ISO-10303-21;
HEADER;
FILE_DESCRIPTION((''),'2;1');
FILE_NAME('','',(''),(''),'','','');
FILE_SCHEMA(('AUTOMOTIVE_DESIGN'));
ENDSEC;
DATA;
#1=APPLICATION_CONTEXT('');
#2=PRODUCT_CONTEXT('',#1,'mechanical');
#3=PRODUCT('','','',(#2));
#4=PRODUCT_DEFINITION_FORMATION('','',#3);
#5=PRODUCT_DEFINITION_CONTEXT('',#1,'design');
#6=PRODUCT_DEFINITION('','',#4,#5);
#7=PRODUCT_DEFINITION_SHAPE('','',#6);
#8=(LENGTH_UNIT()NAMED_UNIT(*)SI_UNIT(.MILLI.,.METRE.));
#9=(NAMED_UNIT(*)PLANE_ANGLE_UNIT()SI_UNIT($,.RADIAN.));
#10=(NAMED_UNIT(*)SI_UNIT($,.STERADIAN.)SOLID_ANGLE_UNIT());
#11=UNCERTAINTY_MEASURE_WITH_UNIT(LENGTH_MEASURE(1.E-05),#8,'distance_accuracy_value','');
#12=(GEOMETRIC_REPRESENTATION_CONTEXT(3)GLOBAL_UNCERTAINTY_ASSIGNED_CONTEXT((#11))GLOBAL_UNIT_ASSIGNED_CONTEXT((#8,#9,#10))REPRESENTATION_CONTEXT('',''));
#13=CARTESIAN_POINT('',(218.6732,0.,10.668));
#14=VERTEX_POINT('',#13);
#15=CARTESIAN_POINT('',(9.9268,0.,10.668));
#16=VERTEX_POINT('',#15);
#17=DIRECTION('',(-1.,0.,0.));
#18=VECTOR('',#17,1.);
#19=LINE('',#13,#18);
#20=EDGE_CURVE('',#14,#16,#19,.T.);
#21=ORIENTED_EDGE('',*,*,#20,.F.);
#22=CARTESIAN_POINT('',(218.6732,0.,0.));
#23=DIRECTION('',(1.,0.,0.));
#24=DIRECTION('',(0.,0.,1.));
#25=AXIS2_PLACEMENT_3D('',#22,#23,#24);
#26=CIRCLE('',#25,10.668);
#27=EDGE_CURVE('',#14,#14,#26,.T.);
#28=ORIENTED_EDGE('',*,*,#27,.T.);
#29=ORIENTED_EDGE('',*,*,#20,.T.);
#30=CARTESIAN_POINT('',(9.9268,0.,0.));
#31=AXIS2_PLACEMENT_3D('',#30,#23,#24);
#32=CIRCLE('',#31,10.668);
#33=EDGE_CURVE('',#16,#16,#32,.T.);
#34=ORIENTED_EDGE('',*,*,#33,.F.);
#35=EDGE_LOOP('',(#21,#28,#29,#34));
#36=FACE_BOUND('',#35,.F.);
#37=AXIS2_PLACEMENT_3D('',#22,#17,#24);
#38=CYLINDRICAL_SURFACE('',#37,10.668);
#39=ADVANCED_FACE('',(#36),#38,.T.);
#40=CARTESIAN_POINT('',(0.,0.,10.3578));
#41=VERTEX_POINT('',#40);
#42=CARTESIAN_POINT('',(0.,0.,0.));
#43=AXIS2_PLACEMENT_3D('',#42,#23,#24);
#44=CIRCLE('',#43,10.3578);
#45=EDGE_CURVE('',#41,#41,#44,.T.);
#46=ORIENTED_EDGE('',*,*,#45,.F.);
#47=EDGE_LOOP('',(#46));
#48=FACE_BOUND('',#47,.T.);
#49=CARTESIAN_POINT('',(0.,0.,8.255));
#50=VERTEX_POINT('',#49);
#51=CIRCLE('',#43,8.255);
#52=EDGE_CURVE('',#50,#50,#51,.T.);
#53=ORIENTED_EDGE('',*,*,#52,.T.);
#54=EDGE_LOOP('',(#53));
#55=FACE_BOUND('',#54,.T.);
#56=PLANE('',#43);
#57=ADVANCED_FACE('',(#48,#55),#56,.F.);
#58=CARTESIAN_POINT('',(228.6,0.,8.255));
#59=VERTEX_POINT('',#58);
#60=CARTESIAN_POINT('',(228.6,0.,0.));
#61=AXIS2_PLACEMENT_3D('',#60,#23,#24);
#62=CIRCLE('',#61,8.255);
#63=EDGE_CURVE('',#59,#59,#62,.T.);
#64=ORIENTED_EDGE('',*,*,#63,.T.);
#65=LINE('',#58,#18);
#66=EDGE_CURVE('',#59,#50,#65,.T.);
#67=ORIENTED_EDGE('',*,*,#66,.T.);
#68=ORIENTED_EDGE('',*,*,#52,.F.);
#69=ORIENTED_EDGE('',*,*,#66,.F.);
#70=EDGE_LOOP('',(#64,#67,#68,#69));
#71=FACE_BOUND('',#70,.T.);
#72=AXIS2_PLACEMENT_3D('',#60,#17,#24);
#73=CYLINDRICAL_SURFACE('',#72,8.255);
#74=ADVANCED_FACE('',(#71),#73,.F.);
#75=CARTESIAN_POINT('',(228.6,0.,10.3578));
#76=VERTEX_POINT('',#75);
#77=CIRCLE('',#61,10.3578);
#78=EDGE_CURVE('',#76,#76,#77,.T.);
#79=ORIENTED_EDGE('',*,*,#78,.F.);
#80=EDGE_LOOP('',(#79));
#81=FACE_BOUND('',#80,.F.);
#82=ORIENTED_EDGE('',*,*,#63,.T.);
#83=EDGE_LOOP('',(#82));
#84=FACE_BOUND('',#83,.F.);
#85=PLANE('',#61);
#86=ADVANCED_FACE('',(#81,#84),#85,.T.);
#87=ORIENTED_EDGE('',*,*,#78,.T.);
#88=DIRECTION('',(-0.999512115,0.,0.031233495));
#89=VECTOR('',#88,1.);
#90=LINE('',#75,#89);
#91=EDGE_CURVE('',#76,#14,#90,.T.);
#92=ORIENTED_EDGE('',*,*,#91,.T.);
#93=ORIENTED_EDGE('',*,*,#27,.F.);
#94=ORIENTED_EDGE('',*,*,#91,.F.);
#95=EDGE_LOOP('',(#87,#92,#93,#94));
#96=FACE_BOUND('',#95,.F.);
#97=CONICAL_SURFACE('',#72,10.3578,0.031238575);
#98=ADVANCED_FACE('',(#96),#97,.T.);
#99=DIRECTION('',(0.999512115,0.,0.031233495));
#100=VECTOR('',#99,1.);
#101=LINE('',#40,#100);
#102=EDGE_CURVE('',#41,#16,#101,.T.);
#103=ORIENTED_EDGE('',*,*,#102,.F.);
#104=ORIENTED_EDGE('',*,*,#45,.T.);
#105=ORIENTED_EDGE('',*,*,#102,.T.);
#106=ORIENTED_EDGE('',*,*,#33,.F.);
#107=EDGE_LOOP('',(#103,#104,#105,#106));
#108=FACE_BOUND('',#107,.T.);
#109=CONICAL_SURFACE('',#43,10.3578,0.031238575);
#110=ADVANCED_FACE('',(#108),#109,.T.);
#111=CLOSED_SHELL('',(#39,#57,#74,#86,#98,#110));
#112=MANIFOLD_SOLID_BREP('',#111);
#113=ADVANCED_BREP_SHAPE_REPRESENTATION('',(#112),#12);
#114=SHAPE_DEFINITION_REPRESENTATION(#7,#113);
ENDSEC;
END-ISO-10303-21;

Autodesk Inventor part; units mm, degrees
ref_plane "YZ Plane" through (0, 0, 0) normal (1, 0, 0) x (0, 1, 0)
ref_plane "XZ Plane" through (0, 0, 0) normal (0, 1, 0) x (-1, 0, 0)
ref_plane "XY Plane" through (0, 0, 0) normal (0, 0, 1) x (1, 0, 0)
sketch "Sketch1" plane through (0, 0, 0) normal (0, 1, 0) x (-1, 0, 0)
  line L0 (0, 0) -> (-228.6, 0)
  line L1 (-228.6, 0) -> (-228.6, 8.255) construction
  line L2 (-228.6, 8.255) -> (-228.6, 10.3578)
  line L3 (-228.6, 10.3578) -> (-218.6732, 10.668)
  line L4 (-218.6732, 10.668) -> (-9.9268, 10.668)
  line L5 (-114.3, 0) -> (-114.3, 10.668) construction
  line L6 (-228.6, 8.255) -> (0, 8.255)
  line L7 (0, 0) -> (0, 8.255) construction
  line L8 (0, 8.255) -> (0, 10.3578)
  line L9 (0, 10.3578) -> (-9.9268, 10.668)
  line L10 (-215.044, 10.7814) -> (-215.044, 0) construction
  line L11 (-13.556, 10.7814) -> (-13.556, 0) construction
  line L12 (-218.6732, 10.668) -> (-215.044, 10.7814) construction
  line L13 (-218.6732, 10.668) -> (-218.6732, 0) construction
  line L14 (-9.9268, 10.668) -> (-13.556, 10.7814) construction
  line L15 (-9.9268, 10.668) -> (-9.9268, 0) construction
  dimension "d0" = 21.336
  dimension "d1" = 1.79
  dimension "d2" = 16.51
  dimension "d3" = 228.6
  dimension "d4" = 13.556
  dimension "d5" = 21.5628
revolve "Revolution1" add sketch "Sketch1" angle 360 about axis through (0, 0, 0) along (1, 0, 0)
thread "Thread1" size "1/2" designation "1/2 - 14 NPT" standard "NPT" full length
thread "Thread2" size "1/2" designation "1/2 - 14 NPT" standard "NPT" full length
equation "\"d0\" = OD"
equation "\"d2\" = ID"
equation "\"d3\" = L"
equation "\"d4\" = L2"
equation "\"d5\" = D2"
equation "\"OD\" = 21.336"
equation "\"t\" = 2.413"
equation "\"L\" = PL"
equation "\"L4\" = 19.8501"
equation "\"ID\" = 16.51"
equation "\"PL\" = 228.6"
equation "\"D2\" = 21.56282"
equation "\"L2\" = 13.55598"
equation "\"Size_Designation\" = 1.2345"
equation "\"PLmin\" = 2 * L2"
properties material "Steel, Wrought"
